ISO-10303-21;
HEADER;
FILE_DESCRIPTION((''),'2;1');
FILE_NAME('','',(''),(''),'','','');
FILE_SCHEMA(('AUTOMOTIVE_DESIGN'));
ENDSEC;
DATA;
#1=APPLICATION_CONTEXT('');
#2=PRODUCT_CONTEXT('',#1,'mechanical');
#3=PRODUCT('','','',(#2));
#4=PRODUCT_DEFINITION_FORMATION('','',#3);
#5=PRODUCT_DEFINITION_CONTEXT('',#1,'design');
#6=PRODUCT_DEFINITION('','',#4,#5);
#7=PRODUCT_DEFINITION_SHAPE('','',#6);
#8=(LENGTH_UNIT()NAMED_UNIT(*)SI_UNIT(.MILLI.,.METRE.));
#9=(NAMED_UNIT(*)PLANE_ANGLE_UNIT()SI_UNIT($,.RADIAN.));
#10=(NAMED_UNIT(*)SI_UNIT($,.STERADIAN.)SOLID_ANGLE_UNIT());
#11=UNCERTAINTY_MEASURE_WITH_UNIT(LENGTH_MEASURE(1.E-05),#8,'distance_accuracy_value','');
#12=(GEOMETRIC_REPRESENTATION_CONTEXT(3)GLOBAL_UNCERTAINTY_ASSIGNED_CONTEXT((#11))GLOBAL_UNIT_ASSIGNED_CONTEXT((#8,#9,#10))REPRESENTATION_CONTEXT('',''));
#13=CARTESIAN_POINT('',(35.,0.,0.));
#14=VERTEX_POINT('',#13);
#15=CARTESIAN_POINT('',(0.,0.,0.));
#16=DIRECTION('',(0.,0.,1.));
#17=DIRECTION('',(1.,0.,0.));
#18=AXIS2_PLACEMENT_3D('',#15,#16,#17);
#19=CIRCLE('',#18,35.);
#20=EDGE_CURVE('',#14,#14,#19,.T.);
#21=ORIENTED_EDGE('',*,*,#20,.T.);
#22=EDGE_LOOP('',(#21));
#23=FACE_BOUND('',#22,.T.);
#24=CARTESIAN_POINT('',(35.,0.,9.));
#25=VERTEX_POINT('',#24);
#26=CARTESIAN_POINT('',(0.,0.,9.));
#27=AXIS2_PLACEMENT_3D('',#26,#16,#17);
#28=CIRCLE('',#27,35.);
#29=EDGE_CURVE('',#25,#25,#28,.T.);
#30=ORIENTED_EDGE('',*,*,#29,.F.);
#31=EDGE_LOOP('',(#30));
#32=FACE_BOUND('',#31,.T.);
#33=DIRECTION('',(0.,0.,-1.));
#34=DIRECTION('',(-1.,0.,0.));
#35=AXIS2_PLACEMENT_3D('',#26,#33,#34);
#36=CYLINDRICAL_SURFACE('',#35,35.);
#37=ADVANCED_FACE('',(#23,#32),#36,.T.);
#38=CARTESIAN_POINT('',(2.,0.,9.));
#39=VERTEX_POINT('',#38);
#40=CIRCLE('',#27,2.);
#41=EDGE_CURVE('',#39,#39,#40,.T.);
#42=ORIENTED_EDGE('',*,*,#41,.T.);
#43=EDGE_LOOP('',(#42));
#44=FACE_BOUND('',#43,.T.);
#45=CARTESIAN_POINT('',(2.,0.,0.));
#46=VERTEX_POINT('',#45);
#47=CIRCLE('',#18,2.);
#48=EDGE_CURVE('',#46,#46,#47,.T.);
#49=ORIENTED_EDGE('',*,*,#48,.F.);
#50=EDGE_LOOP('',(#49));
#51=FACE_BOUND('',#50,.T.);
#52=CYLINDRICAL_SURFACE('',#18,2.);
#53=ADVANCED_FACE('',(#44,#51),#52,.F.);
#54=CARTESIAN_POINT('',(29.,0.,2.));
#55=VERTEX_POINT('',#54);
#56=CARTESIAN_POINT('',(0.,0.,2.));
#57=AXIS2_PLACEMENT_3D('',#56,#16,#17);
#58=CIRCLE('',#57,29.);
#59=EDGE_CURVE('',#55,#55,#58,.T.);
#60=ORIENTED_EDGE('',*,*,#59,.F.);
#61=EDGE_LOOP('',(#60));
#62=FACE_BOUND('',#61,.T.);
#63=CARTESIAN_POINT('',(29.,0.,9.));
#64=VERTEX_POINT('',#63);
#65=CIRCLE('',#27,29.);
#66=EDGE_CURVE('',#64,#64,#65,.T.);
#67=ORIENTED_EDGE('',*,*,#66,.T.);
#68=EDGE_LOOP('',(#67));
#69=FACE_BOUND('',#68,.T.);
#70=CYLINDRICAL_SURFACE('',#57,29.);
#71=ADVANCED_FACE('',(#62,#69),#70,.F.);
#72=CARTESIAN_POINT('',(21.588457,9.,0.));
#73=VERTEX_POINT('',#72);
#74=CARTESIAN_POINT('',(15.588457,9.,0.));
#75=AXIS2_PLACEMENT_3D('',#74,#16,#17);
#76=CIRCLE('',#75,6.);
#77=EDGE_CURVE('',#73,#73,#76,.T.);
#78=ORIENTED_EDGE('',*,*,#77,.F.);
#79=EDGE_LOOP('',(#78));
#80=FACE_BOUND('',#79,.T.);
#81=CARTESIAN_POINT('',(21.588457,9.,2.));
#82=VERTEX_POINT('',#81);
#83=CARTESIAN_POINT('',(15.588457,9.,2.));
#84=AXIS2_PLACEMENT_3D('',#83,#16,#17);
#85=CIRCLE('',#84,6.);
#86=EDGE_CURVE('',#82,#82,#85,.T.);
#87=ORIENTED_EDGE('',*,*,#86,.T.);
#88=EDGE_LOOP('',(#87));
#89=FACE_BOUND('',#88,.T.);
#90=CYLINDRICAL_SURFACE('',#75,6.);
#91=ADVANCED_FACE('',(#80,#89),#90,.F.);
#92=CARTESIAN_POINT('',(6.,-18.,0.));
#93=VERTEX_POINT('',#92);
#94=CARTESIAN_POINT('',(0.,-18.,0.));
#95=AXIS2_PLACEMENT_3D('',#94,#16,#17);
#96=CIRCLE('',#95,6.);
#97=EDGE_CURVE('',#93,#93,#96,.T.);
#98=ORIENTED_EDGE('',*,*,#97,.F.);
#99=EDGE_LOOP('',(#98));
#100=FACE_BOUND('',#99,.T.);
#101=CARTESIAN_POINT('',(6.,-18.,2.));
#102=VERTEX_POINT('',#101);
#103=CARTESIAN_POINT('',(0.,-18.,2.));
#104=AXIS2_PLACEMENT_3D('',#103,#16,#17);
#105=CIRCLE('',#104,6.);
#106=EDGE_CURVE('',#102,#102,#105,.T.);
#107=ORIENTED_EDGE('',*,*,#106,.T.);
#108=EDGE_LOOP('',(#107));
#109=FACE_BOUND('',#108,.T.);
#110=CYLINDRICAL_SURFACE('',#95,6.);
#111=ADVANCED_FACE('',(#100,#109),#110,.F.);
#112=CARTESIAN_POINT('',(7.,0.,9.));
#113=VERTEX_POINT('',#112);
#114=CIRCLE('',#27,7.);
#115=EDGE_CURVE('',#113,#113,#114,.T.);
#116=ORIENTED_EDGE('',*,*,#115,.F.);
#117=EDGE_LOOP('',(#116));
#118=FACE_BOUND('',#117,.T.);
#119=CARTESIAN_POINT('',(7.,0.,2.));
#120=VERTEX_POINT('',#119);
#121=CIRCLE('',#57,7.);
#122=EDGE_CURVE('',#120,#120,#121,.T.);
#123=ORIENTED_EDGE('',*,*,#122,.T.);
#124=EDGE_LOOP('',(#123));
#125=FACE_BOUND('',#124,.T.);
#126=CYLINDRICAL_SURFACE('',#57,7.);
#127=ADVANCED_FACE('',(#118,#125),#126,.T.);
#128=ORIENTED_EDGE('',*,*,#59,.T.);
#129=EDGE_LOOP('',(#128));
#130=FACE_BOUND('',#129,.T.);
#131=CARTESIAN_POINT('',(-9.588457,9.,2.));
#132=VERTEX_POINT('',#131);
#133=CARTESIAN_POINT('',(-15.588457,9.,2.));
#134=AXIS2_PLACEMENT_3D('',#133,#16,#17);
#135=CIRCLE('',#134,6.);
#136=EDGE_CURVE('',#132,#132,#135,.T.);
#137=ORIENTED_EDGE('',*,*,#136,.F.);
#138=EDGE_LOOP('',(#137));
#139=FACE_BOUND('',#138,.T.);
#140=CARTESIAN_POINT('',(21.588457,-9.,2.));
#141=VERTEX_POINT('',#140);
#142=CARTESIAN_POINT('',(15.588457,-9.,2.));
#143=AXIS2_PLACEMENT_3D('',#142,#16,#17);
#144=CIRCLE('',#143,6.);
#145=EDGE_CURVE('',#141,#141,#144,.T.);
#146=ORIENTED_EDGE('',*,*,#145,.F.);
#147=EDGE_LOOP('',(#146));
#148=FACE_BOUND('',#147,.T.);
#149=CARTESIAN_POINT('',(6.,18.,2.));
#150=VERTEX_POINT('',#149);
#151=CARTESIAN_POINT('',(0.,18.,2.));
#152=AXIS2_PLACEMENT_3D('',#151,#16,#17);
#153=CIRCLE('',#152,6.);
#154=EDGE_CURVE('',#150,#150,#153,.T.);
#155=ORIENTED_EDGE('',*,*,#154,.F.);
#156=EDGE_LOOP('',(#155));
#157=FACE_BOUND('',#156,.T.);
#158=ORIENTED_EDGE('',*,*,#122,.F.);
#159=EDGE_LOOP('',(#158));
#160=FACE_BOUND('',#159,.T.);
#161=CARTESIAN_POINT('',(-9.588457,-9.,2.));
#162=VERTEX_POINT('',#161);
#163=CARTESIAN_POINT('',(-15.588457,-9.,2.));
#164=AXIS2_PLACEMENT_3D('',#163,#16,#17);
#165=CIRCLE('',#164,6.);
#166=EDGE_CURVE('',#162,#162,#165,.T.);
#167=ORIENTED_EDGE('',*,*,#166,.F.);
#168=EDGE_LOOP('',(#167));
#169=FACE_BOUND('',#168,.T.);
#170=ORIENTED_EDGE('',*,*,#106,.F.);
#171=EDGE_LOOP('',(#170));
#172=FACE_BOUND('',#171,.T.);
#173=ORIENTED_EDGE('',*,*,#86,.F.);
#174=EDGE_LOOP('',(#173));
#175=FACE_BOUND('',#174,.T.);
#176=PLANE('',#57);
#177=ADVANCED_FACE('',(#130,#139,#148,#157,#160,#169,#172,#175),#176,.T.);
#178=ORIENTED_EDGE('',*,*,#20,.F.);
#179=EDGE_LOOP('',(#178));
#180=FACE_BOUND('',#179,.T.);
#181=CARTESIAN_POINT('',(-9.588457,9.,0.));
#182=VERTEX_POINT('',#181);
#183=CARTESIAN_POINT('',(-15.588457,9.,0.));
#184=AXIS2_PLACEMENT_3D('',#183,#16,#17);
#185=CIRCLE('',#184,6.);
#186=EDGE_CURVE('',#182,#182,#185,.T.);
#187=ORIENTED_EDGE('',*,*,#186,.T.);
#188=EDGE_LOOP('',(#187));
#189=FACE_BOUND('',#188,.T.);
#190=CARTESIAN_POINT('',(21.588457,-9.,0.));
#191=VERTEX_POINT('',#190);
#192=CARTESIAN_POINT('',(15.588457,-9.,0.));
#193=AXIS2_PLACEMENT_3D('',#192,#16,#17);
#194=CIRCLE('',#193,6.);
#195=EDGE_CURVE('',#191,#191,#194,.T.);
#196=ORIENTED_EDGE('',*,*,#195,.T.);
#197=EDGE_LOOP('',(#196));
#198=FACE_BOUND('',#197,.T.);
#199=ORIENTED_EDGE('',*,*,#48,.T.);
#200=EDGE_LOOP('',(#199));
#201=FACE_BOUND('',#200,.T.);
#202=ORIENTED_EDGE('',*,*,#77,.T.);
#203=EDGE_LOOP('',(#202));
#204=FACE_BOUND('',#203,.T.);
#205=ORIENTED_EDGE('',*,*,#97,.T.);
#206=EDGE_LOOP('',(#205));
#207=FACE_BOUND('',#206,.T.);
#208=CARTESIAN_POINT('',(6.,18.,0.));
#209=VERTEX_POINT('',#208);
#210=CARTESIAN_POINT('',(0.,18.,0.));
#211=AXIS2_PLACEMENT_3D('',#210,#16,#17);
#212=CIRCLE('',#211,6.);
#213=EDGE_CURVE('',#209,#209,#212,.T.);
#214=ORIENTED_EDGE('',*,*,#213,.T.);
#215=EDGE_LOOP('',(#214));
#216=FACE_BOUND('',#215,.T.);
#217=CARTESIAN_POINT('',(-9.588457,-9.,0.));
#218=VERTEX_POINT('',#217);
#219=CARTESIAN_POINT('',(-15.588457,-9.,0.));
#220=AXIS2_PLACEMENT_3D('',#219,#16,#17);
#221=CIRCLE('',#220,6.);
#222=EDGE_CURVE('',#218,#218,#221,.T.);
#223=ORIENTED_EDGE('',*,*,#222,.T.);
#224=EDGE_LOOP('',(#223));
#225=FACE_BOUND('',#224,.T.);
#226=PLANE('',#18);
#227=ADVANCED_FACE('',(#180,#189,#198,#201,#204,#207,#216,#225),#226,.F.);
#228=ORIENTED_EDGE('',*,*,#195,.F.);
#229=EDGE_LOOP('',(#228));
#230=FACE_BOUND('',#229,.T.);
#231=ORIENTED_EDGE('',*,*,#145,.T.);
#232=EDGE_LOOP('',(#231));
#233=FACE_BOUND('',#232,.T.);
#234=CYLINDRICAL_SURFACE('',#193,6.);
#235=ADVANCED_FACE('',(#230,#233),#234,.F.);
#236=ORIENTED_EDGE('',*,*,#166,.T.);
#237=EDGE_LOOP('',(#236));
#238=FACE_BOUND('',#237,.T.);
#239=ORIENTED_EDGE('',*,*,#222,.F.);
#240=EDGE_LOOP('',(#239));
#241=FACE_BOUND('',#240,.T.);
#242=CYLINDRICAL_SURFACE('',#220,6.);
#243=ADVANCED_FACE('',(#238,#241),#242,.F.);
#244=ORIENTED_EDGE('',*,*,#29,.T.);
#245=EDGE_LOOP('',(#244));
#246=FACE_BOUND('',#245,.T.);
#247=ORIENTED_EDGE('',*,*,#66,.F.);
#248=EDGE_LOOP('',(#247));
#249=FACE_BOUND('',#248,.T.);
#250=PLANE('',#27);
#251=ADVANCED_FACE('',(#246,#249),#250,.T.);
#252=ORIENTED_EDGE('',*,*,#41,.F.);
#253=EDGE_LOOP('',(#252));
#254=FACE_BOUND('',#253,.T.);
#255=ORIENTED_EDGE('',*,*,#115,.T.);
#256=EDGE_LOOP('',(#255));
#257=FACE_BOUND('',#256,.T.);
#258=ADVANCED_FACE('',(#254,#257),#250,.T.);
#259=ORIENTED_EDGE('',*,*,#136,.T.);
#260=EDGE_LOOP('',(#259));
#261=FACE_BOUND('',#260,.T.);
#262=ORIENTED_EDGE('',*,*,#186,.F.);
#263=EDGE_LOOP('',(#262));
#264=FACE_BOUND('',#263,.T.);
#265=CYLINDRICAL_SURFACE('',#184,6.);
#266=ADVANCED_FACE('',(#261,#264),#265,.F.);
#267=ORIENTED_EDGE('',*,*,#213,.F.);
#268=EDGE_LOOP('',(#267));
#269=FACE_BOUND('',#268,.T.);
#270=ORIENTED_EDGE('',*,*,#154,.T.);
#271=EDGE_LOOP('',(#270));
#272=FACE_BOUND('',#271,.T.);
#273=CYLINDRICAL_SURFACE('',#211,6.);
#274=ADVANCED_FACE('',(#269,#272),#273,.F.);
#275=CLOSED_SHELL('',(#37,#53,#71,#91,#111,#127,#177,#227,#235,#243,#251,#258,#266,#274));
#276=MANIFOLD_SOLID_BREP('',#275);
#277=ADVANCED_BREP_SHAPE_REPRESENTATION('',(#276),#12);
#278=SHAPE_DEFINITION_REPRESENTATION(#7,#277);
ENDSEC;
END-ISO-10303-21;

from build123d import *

# Parameters (mm, degrees)
SKETCH1_R               = 35
BOSS_EXTRUDE1_DEPTH     = 9
SKETCH2_R               = 2
CUT_EXTRUDE1_DEPTH      = 1
CUT_EXTRUDE1_DEPTH_BACK = 10
SKETCH3_R               = 29
SKETCH3_R_2             = 7
CUT_EXTRUDE2_DEPTH      = 7
SKETCH4_R               = 6
CUT_EXTRUDE3_DEPTH      = 3


with BuildPart() as part:
    # Sketch1 → Boss-Extrude1 (new body)
    with BuildSketch(Plane.XY):
        Circle(SKETCH1_R)
    extrude(amount=BOSS_EXTRUDE1_DEPTH)

    # Sketch2 → Cut-Extrude1 (cut, two sides)
    with BuildSketch(Plane.XY.offset(9)) as cut_extrude1_sk:
        Circle(SKETCH2_R)
    extrude(amount=CUT_EXTRUDE1_DEPTH, mode=Mode.SUBTRACT)
    extrude(cut_extrude1_sk.sketch, amount=-CUT_EXTRUDE1_DEPTH_BACK, mode=Mode.SUBTRACT)

    # Sketch3 → Cut-Extrude2 (cut)
    with BuildSketch(Plane.XY.offset(9)):
        Circle(SKETCH3_R)
        Circle(SKETCH3_R_2, mode=Mode.SUBTRACT)
    extrude(amount=-CUT_EXTRUDE2_DEPTH, mode=Mode.SUBTRACT)

    # Sketch4 → Cut-Extrude3 (cut, through all)
    with BuildSketch(Plane.XY.offset(2)):
        with Locations((0, 18)):
            Circle(SKETCH4_R)
        with Locations((15.588457268, 9)):
            Circle(SKETCH4_R)
        with Locations((15.588457268, -9)):
            Circle(SKETCH4_R)
        with Locations((0, -18)):
            Circle(SKETCH4_R)
        with Locations((-15.588457268, -9)):
            Circle(SKETCH4_R)
        with Locations((-15.588457268, 9)):
            Circle(SKETCH4_R)
    extrude(amount=-CUT_EXTRUDE3_DEPTH, mode=Mode.SUBTRACT)


solid = part.part
